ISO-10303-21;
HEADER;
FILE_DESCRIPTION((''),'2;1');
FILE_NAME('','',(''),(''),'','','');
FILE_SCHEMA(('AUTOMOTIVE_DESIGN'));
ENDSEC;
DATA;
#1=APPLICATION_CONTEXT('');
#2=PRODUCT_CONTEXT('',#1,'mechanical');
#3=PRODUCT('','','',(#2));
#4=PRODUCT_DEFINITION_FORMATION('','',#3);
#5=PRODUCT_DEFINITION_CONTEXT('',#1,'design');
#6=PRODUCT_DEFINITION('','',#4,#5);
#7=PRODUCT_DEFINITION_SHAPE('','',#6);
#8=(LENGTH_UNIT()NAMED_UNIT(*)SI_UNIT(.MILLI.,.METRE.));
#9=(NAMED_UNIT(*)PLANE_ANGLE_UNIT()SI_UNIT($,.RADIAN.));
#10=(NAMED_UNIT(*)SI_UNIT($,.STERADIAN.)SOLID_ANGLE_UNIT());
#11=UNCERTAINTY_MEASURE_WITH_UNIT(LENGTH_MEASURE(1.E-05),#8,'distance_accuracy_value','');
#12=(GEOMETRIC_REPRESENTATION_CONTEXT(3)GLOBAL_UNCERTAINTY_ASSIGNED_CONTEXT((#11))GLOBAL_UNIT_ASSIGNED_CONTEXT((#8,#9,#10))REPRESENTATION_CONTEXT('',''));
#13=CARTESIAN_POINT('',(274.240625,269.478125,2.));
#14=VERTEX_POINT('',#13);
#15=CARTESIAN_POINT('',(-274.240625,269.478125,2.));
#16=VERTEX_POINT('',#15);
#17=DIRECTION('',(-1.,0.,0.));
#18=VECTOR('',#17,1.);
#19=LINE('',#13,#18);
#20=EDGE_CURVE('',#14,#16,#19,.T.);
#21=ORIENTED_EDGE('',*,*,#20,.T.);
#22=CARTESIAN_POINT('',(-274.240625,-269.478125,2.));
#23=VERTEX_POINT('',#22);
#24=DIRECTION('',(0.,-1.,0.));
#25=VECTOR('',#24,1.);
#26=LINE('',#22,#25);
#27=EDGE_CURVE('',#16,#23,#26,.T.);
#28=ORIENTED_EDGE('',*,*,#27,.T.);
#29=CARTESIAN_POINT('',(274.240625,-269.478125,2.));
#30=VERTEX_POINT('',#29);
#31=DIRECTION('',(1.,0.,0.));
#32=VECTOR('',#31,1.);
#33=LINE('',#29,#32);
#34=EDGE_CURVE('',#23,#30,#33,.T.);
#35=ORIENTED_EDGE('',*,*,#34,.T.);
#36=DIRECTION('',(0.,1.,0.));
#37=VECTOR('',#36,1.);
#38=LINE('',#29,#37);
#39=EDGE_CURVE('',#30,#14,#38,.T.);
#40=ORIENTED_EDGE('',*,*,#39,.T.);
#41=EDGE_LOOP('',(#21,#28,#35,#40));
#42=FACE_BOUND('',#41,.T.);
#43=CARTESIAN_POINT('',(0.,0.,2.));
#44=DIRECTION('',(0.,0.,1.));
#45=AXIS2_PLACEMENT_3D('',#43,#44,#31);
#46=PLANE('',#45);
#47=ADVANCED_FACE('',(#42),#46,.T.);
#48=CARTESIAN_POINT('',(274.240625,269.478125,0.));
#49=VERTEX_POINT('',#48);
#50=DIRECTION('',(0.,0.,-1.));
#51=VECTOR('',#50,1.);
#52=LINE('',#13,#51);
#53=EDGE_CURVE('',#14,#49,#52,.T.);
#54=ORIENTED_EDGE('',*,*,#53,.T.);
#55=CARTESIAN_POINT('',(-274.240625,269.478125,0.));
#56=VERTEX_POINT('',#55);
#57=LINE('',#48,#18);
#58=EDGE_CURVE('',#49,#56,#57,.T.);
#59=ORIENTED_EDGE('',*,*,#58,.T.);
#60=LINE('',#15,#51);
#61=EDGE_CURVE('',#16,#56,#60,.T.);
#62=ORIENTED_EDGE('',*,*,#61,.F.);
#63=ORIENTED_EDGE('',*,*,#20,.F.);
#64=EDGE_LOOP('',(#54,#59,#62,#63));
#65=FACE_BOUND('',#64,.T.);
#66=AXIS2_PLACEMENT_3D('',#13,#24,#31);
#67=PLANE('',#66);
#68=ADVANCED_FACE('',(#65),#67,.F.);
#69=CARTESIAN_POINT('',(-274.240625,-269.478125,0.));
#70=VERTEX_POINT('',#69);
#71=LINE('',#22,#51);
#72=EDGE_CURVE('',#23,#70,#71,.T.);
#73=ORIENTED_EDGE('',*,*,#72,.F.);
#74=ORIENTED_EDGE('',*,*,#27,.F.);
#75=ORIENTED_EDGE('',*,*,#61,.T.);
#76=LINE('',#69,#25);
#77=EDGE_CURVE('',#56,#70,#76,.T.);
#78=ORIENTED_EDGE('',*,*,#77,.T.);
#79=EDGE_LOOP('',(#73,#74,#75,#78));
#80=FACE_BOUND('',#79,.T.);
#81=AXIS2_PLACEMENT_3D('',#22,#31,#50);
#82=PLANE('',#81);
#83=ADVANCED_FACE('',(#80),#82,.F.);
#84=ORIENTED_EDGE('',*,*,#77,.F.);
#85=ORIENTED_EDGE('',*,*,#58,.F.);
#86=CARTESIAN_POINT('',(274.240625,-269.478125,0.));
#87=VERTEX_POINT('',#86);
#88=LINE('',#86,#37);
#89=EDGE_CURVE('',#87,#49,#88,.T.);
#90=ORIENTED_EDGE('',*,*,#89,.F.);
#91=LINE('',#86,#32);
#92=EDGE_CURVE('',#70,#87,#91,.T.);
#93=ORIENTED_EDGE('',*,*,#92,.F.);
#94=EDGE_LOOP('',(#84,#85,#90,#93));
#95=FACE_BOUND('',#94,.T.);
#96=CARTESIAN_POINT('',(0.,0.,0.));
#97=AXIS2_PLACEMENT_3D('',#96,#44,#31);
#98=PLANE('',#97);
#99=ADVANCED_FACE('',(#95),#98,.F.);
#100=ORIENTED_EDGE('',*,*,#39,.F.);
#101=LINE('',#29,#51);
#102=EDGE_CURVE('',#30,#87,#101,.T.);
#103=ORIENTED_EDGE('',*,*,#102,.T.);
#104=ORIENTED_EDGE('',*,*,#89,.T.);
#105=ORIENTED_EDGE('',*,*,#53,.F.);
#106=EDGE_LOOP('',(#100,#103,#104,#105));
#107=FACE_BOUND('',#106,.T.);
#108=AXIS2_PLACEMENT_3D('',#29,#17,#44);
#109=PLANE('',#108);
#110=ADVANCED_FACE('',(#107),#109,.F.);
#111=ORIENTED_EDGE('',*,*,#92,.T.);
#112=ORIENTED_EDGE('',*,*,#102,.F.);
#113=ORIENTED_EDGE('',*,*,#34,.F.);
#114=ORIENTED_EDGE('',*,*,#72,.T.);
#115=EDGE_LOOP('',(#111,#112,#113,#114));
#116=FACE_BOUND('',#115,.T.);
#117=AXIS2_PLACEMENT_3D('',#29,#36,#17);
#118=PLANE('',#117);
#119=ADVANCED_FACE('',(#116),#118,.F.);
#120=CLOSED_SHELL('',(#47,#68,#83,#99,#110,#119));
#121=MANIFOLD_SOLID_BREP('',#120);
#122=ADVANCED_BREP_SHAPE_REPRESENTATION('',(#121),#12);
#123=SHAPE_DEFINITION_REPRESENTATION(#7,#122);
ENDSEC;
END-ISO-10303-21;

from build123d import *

# Parameters (mm, degrees)
SKETCH1_W           = 548.48125
SKETCH1_H           = 538.95625
BOSS_EXTRUDE1_DEPTH = 2


with BuildPart() as part:
    # Sketch1 → Boss-Extrude1 (new body)
    with BuildSketch(Plane.XY):
        Rectangle(SKETCH1_W, SKETCH1_H)
    extrude(amount=BOSS_EXTRUDE1_DEPTH)


solid = part.part
